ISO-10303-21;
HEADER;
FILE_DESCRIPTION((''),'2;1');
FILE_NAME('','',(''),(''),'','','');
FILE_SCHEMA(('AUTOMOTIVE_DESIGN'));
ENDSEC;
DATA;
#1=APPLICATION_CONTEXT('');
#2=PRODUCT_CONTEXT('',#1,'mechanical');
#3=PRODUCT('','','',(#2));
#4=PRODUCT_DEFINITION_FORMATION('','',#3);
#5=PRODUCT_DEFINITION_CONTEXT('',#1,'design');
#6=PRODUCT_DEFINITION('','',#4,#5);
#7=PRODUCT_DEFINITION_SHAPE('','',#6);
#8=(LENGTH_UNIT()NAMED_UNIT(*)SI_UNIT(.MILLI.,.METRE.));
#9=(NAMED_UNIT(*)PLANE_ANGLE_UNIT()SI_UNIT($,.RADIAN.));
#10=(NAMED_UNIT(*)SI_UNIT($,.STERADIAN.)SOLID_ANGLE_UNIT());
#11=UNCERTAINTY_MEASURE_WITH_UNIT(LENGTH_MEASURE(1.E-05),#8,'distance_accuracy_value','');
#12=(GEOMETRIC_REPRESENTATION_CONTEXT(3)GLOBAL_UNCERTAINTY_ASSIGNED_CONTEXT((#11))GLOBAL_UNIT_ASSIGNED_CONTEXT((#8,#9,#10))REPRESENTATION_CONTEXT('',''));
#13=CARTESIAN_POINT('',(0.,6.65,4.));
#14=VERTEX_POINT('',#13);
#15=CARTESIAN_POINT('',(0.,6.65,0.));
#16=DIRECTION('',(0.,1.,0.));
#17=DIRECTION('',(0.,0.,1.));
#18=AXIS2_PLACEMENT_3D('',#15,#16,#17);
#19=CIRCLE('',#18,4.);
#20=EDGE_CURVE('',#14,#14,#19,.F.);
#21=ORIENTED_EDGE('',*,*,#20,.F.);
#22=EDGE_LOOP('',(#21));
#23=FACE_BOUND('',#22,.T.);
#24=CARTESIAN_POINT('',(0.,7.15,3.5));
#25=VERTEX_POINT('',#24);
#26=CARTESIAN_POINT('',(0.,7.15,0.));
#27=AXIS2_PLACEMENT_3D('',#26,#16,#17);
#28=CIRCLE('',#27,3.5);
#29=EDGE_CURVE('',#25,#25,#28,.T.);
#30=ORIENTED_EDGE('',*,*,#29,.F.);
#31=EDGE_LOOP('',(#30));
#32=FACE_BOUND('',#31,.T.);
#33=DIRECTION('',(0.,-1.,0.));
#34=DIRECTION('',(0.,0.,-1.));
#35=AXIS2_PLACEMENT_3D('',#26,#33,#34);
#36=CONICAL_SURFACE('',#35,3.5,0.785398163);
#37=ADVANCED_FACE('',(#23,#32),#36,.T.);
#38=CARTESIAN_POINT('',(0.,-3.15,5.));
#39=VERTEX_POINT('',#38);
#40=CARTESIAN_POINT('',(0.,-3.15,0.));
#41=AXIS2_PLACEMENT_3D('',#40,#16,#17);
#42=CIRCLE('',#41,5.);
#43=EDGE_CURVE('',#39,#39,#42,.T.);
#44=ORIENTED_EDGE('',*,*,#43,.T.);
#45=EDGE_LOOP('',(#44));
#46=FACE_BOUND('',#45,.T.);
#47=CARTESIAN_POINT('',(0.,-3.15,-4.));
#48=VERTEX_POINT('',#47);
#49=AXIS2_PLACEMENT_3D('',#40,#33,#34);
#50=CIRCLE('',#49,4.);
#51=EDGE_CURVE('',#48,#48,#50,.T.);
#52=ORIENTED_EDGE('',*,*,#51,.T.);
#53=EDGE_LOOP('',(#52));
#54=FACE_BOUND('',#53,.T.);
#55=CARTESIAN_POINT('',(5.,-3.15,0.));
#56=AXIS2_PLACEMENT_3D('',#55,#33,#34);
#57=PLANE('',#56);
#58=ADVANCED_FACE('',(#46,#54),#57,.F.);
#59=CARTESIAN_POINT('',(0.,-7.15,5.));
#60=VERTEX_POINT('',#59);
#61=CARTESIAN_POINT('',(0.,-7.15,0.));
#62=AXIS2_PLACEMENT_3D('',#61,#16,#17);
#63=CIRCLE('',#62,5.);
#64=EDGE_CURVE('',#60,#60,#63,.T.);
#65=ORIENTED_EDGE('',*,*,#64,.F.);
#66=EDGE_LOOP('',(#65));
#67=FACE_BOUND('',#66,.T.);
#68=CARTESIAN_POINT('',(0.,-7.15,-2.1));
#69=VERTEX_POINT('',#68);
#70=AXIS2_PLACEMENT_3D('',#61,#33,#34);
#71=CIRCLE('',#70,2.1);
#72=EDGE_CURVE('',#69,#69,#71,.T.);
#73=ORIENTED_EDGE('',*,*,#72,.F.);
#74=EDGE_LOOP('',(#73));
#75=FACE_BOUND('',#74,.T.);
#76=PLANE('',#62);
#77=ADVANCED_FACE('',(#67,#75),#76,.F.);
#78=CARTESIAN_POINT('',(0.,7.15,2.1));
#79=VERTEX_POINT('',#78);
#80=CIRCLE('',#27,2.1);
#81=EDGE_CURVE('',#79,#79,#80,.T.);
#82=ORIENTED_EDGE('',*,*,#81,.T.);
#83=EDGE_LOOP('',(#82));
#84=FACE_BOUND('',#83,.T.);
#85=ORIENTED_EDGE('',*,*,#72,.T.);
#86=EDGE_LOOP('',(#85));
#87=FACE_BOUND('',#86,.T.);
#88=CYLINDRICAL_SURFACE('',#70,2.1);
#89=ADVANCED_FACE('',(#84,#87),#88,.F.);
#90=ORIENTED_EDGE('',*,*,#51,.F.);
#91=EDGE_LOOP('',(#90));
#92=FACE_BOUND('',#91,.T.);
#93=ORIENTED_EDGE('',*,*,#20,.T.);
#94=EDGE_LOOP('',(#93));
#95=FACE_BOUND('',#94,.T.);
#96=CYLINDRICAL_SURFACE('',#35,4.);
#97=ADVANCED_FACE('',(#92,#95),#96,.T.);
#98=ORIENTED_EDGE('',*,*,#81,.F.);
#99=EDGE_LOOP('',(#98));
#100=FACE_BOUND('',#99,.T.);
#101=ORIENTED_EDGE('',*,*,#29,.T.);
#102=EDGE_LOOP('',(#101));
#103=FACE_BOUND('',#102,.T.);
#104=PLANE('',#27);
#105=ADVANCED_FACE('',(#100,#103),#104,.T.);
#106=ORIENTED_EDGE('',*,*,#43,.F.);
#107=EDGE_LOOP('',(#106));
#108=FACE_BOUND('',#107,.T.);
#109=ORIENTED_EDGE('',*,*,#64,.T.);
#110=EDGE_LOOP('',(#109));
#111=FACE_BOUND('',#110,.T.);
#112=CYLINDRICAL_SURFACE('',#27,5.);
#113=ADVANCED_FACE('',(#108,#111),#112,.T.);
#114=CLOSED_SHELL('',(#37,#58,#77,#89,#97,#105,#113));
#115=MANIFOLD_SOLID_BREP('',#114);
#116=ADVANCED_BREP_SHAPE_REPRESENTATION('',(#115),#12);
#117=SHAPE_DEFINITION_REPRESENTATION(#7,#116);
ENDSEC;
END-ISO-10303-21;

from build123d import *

# Parameters (mm, degrees)
SKETCH_1_R             = 4
EXTRUDE_1_DEPTH        = 7.15
SKETCH_2_W             = 1
SKETCH_2_H             = 4
CHAMFER_1_SIZE         = 0.5
HOLE_WIZARD_M5_1_D     = 4.2
HOLE_WIZARD_M5_1_DEPTH = 17.4
HOLE_WIZARD_M5_1_TIP   = 1.2618073


with BuildPart() as part:
    # 草图1 → 凸台-拉伸1 (new, symmetric)
    with BuildSketch(Plane(origin=(0, 0, 0), x_dir=(1, 0, 0), z_dir=(0, 1, 0))):
        with Locations(Location((0, 0, 0), (0, 0, 270))):
            Circle(SKETCH_1_R)
    extrude(amount=EXTRUDE_1_DEPTH, both=True)

    # 草图2 → 旋转1 (revolve)
    with BuildSketch(Plane.XY, mode=Mode.PRIVATE) as revolve_1_sk:
        with Locations((4.5, -5.15)):
            Rectangle(SKETCH_2_W, SKETCH_2_H)
    revolve(revolve_1_sk.sketch.rotate(Axis((0, 7.15, 0), (0, -1, 0)), 270), axis=Axis((0, 7.15, 0), (0, -1, 0)))

    # 倒角1
    chamfer_1_edges = [part.edges().sort_by_distance(p)[0] for p in [
        (0, 7.15, -4),
    ]]
    chamfer(chamfer_1_edges, length=CHAMFER_1_SIZE)

    # M5 螺纹孔1
    with Locations(Plane(origin=(0, -7.15, 0), x_dir=(-1, 0, 0), z_dir=(0, -1, 0))):
        with Locations((0, 0)):
            Hole(HOLE_WIZARD_M5_1_D / 2, depth=HOLE_WIZARD_M5_1_DEPTH)
            with Locations((0, 0, -(HOLE_WIZARD_M5_1_DEPTH + HOLE_WIZARD_M5_1_TIP / 2))):  # 118° drill point
                Cone(0, HOLE_WIZARD_M5_1_D / 2, HOLE_WIZARD_M5_1_TIP, mode=Mode.SUBTRACT)


solid = part.part
